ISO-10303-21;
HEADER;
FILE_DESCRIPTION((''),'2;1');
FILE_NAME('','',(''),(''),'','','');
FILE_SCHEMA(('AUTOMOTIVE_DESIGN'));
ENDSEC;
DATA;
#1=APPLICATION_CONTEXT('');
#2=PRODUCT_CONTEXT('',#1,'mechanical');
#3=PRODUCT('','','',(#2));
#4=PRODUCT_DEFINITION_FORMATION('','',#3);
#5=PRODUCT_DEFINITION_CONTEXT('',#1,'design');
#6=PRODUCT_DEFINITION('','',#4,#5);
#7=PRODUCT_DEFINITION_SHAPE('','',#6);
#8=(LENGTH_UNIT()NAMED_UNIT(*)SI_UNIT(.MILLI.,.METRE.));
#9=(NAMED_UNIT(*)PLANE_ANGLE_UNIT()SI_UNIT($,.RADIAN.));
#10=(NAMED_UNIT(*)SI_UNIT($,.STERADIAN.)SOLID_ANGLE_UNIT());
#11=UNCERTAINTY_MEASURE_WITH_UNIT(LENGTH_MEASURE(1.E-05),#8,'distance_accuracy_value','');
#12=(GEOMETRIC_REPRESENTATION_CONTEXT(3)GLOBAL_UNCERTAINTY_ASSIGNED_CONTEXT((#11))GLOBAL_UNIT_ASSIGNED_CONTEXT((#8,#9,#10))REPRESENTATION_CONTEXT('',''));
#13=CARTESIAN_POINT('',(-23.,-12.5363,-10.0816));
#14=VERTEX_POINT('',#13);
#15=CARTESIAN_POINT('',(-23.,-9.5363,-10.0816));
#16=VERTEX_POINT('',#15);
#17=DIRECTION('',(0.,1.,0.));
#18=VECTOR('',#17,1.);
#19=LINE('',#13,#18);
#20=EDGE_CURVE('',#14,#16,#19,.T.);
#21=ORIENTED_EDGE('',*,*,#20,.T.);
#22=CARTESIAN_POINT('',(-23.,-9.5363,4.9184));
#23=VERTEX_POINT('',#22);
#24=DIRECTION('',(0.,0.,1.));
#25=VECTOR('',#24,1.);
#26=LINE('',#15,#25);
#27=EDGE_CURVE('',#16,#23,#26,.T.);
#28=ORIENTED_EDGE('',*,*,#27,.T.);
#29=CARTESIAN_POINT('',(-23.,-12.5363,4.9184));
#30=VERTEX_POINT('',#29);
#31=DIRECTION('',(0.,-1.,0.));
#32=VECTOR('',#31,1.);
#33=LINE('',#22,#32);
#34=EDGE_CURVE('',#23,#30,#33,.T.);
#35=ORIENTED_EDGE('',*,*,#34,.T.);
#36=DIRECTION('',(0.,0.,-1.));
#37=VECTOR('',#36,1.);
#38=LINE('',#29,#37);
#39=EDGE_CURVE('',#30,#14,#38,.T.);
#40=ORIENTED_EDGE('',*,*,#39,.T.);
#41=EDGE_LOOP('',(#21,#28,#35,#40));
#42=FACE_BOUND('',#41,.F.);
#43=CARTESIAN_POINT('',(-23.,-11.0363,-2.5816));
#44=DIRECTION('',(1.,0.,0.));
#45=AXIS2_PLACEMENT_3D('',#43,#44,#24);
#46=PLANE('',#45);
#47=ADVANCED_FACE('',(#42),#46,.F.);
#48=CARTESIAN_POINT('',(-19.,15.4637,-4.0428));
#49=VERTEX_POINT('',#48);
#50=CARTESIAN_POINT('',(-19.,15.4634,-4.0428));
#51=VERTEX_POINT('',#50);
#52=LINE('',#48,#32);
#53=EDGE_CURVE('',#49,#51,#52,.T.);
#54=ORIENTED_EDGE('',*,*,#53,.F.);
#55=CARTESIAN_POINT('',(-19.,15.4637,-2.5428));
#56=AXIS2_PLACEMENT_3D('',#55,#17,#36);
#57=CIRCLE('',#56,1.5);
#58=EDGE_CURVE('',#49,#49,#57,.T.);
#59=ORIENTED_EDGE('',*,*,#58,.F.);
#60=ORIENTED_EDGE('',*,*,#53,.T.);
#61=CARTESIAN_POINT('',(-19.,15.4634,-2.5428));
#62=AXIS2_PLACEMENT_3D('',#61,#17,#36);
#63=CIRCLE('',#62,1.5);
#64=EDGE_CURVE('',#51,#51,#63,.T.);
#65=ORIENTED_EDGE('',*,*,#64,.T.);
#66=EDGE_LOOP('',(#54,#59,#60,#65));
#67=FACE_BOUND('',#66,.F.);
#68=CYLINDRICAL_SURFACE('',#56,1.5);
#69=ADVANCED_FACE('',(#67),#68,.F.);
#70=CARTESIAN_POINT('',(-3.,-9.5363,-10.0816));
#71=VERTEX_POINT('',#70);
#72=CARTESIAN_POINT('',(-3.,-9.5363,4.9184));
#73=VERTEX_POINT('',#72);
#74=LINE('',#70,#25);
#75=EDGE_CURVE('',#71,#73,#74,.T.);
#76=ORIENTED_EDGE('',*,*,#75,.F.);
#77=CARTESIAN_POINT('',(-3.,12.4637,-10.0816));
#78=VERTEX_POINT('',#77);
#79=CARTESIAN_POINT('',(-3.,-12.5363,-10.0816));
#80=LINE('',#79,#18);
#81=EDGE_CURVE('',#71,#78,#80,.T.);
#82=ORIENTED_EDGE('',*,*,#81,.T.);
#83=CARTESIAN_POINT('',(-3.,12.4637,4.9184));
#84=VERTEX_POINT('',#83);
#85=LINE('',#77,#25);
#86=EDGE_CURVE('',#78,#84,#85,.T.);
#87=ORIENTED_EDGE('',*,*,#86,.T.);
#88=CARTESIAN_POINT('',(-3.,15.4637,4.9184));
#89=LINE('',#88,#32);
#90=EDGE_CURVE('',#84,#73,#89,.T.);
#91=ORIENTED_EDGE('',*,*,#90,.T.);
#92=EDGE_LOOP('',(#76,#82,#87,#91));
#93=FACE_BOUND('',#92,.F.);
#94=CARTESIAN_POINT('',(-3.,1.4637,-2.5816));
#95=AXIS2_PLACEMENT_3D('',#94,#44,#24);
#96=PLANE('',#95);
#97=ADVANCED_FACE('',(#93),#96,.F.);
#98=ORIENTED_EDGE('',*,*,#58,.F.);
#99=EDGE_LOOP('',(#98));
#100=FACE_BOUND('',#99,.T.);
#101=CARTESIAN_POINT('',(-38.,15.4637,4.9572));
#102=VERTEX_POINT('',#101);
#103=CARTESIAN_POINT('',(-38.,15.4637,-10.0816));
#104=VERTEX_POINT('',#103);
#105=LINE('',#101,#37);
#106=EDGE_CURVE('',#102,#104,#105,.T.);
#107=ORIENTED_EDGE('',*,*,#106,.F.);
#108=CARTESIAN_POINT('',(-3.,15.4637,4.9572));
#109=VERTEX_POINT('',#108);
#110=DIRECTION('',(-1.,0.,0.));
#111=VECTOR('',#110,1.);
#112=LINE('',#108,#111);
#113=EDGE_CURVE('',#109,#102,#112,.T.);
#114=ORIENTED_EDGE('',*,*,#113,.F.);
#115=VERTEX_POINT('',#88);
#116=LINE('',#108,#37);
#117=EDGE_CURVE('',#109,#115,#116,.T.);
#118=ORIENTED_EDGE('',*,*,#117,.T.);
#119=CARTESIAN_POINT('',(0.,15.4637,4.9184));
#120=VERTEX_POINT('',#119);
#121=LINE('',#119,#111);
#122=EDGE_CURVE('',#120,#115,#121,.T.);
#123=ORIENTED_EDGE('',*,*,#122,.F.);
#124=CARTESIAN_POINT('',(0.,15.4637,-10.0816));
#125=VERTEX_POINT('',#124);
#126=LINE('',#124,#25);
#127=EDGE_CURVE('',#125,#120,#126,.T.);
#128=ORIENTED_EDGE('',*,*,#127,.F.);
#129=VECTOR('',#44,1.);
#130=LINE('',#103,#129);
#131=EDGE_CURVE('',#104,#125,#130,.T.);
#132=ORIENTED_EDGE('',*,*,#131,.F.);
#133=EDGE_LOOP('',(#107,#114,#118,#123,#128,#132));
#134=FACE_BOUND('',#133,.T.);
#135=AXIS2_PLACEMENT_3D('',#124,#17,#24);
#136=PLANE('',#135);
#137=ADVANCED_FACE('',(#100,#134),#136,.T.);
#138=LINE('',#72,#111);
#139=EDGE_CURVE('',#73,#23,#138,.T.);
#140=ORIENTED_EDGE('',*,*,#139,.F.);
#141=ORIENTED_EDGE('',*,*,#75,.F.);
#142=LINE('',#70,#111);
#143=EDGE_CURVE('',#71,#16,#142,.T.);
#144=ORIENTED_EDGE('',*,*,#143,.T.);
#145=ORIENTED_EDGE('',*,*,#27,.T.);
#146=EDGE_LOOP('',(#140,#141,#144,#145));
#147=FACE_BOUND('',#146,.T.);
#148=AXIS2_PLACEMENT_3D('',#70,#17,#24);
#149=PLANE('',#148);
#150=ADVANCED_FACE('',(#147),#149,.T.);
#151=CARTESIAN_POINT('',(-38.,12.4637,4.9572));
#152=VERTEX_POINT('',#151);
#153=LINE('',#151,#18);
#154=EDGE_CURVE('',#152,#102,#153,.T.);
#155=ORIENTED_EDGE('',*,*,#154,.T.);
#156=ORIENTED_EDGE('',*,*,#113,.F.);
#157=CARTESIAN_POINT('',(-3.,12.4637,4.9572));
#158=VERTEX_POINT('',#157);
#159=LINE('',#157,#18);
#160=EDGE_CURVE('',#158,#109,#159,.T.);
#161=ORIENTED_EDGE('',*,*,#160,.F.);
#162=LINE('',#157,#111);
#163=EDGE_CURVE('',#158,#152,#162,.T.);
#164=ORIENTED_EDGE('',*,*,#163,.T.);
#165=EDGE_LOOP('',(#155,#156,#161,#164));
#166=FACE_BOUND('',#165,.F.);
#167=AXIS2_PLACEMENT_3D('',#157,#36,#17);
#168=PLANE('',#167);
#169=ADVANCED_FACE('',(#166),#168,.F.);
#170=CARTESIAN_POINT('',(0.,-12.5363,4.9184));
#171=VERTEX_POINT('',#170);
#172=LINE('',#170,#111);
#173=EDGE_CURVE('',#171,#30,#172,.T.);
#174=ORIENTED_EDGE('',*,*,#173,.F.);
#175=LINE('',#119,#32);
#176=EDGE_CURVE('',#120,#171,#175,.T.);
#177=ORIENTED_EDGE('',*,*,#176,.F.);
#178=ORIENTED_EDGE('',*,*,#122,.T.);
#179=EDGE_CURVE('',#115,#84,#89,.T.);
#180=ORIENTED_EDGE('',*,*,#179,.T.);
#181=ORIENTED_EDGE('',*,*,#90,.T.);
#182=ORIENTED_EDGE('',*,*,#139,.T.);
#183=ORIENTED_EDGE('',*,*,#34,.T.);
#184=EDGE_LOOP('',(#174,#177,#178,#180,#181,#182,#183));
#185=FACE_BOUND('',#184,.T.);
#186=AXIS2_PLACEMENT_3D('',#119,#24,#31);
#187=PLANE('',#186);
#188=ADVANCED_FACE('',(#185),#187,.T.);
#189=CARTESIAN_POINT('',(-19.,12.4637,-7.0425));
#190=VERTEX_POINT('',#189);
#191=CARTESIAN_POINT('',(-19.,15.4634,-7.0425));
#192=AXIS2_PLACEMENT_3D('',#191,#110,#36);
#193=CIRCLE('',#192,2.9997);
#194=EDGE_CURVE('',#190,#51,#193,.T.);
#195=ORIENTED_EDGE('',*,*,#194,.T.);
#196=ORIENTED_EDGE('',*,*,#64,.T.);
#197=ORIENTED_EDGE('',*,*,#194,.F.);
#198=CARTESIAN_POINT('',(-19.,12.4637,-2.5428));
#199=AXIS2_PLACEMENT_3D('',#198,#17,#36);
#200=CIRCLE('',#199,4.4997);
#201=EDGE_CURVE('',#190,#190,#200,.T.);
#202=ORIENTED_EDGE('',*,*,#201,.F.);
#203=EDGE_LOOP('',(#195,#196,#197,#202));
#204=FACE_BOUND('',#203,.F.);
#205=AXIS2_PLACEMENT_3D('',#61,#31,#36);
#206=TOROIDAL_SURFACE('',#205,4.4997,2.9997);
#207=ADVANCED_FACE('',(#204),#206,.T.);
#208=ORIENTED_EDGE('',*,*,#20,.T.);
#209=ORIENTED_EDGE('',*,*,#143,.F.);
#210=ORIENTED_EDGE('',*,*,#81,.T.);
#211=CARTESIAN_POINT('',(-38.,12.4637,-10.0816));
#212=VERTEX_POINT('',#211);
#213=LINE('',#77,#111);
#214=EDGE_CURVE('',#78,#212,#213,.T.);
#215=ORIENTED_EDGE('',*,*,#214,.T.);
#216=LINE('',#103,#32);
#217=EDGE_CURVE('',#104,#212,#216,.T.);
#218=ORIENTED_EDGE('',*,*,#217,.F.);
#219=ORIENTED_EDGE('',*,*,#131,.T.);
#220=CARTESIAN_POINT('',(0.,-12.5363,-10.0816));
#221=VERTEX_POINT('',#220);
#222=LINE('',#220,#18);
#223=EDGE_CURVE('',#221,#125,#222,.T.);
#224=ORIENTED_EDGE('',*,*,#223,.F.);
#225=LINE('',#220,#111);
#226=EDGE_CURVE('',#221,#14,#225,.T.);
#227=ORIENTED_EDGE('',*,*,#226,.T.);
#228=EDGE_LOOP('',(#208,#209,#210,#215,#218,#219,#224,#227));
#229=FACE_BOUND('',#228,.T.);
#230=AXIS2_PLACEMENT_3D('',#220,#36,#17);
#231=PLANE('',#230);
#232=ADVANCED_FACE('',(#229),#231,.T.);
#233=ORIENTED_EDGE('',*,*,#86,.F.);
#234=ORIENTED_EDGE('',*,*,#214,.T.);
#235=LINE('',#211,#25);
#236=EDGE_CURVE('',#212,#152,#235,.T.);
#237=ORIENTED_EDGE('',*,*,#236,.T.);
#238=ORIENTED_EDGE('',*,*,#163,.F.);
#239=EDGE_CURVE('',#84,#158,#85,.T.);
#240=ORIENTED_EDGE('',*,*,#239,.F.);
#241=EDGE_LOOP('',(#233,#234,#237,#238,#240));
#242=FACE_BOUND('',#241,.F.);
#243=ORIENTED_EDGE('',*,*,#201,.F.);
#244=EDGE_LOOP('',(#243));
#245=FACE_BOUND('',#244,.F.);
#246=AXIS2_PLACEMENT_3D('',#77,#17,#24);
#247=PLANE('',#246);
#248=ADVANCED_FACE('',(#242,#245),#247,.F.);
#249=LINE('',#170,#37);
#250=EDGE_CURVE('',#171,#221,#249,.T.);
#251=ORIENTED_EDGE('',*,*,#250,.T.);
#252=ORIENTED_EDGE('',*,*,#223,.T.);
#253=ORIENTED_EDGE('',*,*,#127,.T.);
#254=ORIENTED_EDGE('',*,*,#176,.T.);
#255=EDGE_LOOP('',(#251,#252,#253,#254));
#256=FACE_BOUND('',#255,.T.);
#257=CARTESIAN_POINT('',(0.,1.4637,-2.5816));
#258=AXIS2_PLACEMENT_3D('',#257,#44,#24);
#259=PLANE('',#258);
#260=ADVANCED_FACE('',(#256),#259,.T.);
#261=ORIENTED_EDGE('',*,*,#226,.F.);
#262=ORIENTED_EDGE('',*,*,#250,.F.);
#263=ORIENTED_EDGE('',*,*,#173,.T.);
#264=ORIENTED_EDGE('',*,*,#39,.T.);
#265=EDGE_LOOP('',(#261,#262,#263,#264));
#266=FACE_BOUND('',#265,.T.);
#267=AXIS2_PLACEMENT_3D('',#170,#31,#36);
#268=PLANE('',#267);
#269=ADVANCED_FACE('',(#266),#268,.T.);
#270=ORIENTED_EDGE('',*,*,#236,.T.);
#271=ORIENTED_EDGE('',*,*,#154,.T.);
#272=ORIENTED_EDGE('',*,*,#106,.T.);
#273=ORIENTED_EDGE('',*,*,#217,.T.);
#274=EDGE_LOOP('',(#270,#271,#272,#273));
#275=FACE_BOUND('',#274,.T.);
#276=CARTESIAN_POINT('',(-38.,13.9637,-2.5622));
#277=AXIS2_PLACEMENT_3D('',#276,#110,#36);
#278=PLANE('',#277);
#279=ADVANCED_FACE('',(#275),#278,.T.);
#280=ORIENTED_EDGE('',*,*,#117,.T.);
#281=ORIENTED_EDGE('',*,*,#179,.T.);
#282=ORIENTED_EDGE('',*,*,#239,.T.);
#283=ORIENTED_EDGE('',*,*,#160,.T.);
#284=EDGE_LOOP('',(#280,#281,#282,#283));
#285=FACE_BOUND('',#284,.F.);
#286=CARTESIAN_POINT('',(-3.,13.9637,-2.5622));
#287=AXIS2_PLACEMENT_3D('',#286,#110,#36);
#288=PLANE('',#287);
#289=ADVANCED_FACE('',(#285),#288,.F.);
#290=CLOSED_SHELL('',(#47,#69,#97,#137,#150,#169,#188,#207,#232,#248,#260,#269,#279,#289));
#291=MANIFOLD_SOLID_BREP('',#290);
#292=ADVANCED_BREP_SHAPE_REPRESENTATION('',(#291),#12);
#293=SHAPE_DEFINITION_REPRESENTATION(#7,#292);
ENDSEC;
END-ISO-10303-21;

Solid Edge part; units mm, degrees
sketch "Sketch1" plane through (0, 0, 0) normal (1, 0, 0) x (0, 1, 0)
  line L0 (-12.5363, -10.0816) -> (15.4637, -10.0816)
  line L1 (15.4637, -10.0816) -> (15.4637, 4.9184)
  line L2 (15.4637, 4.9184) -> (-12.5363, 4.9184)
  line L3 (-12.5363, 4.9184) -> (-12.5363, -10.0816)
  dimension "D1" = 15
  dimension "D2" = 28
extrude "Protrusion1" add sketch "Sketch1" against normal blind 3
sketch "Sketch2" plane through (-3, 1.4637, -2.5816) normal (-1, 0, 0) x (0, 1, 0)
  line L0 (14, 7.5) -> (11, 7.5)
  line L1 (11, 7.5) -> (11, -7.5388)
  line L2 (11, -7.5388) -> (14, -7.5388)
  line L3 (14, -7.5388) -> (14, 7.5)
extrude "ProtrusiónExtruida_8" add sketch "Sketch2" along normal blind 35
sketch "Sketch3" plane through (-3, -0.0363, -2.5816) normal (-1, 0, 0) x (0, 1, 0)
  line L0 (-12.5, 7.5) -> (-9.5, 7.5)
  line L1 (-9.5, 7.5) -> (-9.5, -7.5)
  line L2 (-9.5, -7.5) -> (-12.5, -7.5)
  line L3 (-12.5, -7.5) -> (-12.5, 7.5)
extrude "ProtrusiónExtruida_9" add sketch "Sketch3" along normal blind 20
sketch "Sketch4" plane through (-19, 15.4637, -2.5622) normal (0, 1, 0) x (0, 0, -1)
  circle A0 centre (-0.0194, 0) radius 1.5
  dimension "D1" = 38
  dimension "D2" = 19
  dimension "D3" = 15.0388
  dimension "D4" = 7.5
extrude "VaciadoExtruido_2" cut sketch "Sketch4" against normal blind 13.4467
fillet "Redondeo_1" radius 3 1 edges at (-17.5, 12.4637, -2.5429)
